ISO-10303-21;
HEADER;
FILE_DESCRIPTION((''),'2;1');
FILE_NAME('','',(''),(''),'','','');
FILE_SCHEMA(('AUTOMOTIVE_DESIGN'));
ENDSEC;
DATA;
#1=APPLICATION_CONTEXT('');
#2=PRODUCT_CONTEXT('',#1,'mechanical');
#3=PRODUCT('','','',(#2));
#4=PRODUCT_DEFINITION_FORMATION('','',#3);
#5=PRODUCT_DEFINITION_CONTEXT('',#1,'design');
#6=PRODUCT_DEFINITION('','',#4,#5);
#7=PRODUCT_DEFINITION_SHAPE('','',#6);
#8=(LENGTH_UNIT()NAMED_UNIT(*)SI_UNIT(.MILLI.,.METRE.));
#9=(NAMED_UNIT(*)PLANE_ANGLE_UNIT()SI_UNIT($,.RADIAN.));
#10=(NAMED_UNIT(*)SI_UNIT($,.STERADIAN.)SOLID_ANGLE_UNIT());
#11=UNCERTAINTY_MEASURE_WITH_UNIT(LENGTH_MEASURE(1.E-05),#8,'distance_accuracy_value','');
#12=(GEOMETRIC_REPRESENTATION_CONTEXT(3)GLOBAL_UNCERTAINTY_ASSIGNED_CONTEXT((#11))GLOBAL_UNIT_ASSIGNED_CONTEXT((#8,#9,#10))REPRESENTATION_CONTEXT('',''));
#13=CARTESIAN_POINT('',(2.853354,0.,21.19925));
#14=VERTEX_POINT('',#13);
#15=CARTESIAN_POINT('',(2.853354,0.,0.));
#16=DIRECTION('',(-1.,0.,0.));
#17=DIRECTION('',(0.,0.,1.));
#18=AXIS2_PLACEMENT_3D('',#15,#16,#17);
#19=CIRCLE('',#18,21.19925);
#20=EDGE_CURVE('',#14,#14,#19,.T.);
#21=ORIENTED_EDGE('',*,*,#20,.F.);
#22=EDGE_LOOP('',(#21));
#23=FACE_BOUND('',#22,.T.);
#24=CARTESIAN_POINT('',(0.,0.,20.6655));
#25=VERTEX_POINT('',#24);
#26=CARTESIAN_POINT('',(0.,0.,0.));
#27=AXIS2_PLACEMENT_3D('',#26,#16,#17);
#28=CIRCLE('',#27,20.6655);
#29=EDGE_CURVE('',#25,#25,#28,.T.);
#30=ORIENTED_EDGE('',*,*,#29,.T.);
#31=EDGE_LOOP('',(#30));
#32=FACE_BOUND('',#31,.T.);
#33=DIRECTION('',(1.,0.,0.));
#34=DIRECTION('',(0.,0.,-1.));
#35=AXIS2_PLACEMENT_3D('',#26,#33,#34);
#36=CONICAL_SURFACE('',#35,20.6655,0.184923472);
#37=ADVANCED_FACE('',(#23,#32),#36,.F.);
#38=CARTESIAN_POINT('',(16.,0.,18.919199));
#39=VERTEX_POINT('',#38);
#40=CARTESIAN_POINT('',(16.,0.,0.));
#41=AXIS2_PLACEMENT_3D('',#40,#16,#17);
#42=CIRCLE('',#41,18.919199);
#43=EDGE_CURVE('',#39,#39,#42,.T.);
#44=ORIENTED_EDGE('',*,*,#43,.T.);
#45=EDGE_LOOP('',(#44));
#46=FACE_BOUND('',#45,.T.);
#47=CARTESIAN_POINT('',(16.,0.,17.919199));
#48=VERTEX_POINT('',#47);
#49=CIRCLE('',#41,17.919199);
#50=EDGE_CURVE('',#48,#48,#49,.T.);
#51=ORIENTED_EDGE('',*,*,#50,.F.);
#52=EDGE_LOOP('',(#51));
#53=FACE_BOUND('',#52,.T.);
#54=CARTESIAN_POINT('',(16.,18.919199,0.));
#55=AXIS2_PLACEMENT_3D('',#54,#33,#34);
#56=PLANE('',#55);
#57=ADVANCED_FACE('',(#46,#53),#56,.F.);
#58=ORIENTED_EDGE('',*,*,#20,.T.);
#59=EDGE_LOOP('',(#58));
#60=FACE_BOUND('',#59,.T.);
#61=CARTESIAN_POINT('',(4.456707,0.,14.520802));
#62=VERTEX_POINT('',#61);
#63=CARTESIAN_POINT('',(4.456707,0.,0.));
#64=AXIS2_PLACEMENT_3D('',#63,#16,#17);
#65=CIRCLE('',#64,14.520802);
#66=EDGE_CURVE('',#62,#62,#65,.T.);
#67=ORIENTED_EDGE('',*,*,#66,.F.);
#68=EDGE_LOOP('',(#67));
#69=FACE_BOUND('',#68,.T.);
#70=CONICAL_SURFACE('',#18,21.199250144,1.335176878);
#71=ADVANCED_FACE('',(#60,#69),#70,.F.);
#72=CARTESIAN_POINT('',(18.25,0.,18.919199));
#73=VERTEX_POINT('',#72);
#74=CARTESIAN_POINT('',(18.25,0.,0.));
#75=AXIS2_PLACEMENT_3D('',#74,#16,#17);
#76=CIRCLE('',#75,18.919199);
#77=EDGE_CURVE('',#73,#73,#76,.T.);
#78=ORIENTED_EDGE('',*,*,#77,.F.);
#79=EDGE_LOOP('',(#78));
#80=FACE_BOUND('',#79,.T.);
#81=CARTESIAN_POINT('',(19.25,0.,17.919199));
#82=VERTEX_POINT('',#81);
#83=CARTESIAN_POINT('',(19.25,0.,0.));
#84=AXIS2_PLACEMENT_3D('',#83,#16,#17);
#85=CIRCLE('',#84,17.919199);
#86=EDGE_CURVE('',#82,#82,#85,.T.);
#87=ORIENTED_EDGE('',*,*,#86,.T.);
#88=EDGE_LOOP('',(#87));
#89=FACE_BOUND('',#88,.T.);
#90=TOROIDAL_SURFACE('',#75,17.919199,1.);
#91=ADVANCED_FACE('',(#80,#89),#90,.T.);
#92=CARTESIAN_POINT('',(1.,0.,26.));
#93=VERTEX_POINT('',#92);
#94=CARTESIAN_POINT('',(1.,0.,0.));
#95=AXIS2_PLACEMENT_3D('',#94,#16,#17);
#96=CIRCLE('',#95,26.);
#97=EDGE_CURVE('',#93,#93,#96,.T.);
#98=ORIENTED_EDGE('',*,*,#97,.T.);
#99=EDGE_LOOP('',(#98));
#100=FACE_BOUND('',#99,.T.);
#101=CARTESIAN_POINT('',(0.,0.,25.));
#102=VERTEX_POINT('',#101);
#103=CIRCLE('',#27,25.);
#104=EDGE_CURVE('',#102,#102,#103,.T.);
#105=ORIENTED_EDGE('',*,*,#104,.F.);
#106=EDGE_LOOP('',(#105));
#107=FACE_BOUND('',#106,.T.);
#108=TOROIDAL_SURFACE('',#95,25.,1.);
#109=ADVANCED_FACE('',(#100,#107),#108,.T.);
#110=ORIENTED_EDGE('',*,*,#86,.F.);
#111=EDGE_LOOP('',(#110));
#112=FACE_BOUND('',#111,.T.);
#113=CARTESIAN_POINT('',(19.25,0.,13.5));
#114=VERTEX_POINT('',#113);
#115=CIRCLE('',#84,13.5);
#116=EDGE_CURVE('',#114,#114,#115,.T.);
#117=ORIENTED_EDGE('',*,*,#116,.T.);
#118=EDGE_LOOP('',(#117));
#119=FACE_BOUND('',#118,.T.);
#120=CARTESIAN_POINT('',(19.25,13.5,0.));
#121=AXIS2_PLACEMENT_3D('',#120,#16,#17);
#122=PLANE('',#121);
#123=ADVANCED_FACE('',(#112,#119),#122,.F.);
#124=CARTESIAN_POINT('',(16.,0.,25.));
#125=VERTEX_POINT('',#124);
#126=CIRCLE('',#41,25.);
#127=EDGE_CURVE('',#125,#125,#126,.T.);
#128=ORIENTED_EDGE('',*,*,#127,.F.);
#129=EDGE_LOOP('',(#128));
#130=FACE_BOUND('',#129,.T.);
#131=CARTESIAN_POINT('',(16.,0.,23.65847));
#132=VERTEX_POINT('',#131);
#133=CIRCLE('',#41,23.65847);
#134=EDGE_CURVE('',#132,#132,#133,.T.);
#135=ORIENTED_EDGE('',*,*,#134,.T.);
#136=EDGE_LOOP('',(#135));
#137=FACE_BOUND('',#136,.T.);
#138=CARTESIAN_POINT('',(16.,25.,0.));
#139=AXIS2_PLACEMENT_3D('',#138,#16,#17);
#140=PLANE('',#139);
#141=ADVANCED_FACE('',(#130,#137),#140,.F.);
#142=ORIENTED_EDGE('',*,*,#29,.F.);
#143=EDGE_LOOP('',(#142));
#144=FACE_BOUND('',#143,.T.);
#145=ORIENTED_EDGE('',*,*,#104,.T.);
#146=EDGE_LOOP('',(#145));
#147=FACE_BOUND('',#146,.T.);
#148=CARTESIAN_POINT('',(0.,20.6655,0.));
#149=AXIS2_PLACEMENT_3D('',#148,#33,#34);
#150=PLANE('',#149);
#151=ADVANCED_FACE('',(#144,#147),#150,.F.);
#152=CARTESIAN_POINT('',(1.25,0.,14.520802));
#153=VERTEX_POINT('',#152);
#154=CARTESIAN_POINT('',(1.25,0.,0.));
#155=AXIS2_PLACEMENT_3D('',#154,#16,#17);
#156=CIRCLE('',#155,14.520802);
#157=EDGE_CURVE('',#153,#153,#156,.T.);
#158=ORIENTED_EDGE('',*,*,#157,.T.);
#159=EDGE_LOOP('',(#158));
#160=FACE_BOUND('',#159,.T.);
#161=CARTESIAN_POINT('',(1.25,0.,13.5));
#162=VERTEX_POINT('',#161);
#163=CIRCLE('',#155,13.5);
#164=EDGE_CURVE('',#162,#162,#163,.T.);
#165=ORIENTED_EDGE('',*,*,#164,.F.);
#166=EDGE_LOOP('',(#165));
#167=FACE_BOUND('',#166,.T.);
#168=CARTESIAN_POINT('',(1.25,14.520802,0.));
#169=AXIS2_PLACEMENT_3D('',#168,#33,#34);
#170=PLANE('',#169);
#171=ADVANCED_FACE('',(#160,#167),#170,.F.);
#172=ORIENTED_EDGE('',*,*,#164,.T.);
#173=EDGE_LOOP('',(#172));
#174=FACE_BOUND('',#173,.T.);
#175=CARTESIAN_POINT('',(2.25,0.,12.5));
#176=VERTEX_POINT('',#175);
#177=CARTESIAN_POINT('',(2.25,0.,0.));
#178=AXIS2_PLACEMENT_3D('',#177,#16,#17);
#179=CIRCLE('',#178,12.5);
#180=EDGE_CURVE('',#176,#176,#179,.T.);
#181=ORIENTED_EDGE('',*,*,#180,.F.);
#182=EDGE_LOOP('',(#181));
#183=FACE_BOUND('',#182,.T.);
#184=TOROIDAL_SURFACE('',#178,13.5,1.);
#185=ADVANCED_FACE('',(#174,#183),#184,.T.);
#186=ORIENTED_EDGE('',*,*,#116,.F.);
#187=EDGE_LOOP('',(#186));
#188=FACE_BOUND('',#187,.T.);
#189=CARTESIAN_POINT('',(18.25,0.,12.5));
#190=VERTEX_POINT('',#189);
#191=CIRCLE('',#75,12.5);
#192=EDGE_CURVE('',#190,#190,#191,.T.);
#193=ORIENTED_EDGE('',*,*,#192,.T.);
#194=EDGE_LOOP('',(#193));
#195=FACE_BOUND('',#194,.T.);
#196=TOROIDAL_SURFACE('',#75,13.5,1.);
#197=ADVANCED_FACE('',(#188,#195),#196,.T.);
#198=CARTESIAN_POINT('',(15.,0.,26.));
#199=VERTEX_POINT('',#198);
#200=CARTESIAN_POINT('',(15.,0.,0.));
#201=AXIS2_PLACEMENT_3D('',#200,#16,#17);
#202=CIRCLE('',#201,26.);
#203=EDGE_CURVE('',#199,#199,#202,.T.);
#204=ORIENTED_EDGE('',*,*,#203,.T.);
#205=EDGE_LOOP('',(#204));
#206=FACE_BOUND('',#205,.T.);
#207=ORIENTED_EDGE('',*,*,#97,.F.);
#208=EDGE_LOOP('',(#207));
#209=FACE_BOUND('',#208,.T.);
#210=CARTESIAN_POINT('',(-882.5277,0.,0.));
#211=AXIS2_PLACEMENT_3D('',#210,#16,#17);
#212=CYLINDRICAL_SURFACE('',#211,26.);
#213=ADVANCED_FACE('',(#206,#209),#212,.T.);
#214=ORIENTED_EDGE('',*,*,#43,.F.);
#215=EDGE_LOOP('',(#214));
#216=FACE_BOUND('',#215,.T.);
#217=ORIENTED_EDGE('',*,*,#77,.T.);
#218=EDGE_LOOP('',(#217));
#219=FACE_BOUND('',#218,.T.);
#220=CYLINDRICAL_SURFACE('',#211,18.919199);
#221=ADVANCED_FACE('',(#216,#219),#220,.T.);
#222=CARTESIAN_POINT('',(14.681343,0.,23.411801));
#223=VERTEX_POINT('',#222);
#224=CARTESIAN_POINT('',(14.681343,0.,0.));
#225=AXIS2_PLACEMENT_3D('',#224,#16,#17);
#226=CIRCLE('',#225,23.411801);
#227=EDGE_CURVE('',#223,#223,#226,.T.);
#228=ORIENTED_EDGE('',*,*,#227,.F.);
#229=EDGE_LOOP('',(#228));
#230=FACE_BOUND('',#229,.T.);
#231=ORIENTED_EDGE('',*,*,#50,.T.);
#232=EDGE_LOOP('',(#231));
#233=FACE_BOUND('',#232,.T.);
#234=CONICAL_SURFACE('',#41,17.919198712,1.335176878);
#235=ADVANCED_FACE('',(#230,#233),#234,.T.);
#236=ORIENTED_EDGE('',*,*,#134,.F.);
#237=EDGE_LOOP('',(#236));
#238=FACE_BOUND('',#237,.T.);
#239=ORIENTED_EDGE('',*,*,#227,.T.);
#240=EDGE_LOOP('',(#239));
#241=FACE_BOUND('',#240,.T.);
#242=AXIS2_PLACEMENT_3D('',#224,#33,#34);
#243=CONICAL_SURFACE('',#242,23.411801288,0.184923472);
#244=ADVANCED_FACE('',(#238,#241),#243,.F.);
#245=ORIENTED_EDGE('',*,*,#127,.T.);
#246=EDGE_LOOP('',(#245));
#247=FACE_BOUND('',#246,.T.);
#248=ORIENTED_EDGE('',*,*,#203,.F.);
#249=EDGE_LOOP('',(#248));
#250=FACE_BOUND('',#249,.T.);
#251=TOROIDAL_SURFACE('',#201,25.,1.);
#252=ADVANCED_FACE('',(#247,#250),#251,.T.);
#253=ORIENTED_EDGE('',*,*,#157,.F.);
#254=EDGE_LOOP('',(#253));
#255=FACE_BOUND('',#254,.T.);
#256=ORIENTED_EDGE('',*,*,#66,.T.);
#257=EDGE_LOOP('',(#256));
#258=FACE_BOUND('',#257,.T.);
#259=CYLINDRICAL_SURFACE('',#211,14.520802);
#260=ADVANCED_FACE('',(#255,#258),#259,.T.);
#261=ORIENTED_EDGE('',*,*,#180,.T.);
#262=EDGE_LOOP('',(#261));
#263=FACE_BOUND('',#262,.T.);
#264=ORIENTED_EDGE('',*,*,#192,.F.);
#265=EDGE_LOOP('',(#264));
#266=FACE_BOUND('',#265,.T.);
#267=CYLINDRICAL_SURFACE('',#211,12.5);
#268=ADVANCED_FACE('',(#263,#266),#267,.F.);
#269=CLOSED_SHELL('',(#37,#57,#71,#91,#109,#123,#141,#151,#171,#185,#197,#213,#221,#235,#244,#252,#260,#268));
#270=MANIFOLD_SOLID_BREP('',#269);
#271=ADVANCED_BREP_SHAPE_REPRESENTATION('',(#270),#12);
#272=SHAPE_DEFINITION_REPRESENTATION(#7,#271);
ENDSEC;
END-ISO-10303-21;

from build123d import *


with BuildPart() as part:
    # Эскиз1 → Повернуть1 (revolve)
    with BuildSketch(Plane.XY):
        with BuildLine():
            Line((2.853353658, 21.199250144), (0, 20.6655))
            Line((0, 20.6655), (0, 25))
            ThreePointArc((0, 25), (0.292893219, 25.707106781), (1, 26))
            Line((1, 26), (15, 26))
            ThreePointArc((15, 26), (15.707106781, 25.707106781), (16, 25))
            Line((16, 25), (16, 23.658470141))
            Line((16, 23.658470141), (14.68134279, 23.411801288))
            Line((14.68134279, 23.411801288), (16, 17.919198712))
            Line((16, 17.919198712), (16, 18.919198712))
            Line((16, 18.919198712), (18.25, 18.919198712))
            ThreePointArc((18.25, 18.919198712), (18.957106781, 18.626305494), (19.25, 17.919198712))
            Line((19.25, 17.919198712), (19.25, 13.5))
            ThreePointArc((19.25, 13.5), (18.957106781, 12.792893219), (18.25, 12.5))
            Line((18.25, 12.5), (2.25, 12.5))
            ThreePointArc((2.25, 12.5), (1.542893219, 12.792893219), (1.25, 13.5))
            Line((1.25, 13.5), (1.25, 14.52080152))
            Line((1.25, 14.52080152), (4.456707316, 14.52080152))
            Line((4.456707316, 14.52080152), (2.853353658, 21.199250144))
        make_face()
    revolve(axis=Axis((-882.527700014, 0, 0), (1, 0, 0)))


solid = part.part
